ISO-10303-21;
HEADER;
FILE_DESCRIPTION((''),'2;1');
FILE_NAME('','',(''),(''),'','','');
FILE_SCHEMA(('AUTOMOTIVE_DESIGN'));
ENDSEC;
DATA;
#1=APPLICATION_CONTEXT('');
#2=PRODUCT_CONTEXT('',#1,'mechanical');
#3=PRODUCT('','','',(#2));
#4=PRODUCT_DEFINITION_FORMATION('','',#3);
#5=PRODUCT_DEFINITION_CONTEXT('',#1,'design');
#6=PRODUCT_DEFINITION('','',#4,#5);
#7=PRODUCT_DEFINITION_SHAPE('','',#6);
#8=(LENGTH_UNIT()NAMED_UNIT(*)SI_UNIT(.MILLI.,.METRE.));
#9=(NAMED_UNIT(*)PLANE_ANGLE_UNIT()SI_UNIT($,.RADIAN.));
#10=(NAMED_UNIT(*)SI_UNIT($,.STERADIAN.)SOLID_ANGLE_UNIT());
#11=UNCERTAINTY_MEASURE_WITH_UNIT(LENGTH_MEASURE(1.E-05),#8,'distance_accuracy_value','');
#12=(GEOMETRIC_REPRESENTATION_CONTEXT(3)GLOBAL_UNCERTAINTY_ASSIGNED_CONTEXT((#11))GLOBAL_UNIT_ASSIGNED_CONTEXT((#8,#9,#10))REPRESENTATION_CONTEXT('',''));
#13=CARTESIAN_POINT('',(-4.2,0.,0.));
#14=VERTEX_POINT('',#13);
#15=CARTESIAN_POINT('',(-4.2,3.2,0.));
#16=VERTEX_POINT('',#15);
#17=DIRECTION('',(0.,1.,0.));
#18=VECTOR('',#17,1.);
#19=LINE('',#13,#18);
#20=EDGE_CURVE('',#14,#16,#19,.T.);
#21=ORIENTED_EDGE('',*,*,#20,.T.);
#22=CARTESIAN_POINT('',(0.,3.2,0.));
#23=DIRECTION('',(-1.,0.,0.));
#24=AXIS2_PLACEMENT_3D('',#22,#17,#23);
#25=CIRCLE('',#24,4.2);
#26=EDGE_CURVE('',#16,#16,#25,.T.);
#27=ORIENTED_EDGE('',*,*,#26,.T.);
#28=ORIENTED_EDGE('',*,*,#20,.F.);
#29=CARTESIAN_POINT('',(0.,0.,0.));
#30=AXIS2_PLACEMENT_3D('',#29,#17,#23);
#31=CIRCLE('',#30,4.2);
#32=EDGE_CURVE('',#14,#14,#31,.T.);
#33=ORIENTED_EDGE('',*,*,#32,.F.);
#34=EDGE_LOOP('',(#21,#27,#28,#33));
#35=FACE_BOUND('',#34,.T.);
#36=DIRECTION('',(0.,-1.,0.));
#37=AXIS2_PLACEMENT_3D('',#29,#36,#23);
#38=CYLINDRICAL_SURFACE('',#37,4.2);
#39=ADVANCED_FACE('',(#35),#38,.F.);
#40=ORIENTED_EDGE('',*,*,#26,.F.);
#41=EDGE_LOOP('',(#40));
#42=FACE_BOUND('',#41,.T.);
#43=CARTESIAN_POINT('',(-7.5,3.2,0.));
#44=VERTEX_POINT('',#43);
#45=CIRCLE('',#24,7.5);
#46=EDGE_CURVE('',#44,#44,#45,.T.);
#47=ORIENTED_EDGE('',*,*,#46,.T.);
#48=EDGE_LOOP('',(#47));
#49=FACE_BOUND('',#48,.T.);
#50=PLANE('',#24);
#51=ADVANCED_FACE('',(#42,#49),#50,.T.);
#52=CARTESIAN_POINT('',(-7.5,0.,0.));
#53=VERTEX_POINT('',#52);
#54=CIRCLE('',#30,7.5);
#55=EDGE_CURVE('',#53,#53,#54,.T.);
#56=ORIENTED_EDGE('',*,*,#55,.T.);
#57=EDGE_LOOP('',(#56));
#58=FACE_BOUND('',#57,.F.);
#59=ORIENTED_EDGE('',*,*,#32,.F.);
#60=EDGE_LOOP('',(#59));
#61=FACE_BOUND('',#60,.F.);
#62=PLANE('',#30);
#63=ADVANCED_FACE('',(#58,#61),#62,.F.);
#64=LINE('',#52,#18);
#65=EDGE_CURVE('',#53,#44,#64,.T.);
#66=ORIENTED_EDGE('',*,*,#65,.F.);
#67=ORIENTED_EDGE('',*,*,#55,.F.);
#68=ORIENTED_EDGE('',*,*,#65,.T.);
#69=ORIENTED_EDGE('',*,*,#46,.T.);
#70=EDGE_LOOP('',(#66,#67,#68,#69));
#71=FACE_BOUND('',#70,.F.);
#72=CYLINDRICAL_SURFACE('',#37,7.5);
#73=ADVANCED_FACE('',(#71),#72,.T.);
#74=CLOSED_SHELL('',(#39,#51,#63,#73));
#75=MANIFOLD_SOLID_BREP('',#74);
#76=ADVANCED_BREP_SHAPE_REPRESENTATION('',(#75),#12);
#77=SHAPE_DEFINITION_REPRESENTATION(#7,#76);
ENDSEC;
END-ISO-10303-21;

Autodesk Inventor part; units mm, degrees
ref_plane "YZ Plane" through (0, 0, 0) normal (1, 0, 0) x (0, 1, 0)
ref_plane "XZ Plane" through (0, 0, 0) normal (0, 1, 0) x (-1, 0, 0)
ref_plane "XY Plane" through (0, 0, 0) normal (0, 0, 1) x (1, 0, 0)
sketch "スケッチ1" plane through (0, 0, 0) normal (0, 1, 0) x (-1, 0, 0)
  circle A0 centre (0, 0) radius 4.2
  circle A1 centre (0, 0) radius 7.5
  dimension "d0" = 8.4
  dimension "d1" = 15
extrude "押し出し1" add sketch "スケッチ1" along normal blind 3.2
properties part number "ワッシャー_M8＿3.2mm" material "ステンレス鋼"
